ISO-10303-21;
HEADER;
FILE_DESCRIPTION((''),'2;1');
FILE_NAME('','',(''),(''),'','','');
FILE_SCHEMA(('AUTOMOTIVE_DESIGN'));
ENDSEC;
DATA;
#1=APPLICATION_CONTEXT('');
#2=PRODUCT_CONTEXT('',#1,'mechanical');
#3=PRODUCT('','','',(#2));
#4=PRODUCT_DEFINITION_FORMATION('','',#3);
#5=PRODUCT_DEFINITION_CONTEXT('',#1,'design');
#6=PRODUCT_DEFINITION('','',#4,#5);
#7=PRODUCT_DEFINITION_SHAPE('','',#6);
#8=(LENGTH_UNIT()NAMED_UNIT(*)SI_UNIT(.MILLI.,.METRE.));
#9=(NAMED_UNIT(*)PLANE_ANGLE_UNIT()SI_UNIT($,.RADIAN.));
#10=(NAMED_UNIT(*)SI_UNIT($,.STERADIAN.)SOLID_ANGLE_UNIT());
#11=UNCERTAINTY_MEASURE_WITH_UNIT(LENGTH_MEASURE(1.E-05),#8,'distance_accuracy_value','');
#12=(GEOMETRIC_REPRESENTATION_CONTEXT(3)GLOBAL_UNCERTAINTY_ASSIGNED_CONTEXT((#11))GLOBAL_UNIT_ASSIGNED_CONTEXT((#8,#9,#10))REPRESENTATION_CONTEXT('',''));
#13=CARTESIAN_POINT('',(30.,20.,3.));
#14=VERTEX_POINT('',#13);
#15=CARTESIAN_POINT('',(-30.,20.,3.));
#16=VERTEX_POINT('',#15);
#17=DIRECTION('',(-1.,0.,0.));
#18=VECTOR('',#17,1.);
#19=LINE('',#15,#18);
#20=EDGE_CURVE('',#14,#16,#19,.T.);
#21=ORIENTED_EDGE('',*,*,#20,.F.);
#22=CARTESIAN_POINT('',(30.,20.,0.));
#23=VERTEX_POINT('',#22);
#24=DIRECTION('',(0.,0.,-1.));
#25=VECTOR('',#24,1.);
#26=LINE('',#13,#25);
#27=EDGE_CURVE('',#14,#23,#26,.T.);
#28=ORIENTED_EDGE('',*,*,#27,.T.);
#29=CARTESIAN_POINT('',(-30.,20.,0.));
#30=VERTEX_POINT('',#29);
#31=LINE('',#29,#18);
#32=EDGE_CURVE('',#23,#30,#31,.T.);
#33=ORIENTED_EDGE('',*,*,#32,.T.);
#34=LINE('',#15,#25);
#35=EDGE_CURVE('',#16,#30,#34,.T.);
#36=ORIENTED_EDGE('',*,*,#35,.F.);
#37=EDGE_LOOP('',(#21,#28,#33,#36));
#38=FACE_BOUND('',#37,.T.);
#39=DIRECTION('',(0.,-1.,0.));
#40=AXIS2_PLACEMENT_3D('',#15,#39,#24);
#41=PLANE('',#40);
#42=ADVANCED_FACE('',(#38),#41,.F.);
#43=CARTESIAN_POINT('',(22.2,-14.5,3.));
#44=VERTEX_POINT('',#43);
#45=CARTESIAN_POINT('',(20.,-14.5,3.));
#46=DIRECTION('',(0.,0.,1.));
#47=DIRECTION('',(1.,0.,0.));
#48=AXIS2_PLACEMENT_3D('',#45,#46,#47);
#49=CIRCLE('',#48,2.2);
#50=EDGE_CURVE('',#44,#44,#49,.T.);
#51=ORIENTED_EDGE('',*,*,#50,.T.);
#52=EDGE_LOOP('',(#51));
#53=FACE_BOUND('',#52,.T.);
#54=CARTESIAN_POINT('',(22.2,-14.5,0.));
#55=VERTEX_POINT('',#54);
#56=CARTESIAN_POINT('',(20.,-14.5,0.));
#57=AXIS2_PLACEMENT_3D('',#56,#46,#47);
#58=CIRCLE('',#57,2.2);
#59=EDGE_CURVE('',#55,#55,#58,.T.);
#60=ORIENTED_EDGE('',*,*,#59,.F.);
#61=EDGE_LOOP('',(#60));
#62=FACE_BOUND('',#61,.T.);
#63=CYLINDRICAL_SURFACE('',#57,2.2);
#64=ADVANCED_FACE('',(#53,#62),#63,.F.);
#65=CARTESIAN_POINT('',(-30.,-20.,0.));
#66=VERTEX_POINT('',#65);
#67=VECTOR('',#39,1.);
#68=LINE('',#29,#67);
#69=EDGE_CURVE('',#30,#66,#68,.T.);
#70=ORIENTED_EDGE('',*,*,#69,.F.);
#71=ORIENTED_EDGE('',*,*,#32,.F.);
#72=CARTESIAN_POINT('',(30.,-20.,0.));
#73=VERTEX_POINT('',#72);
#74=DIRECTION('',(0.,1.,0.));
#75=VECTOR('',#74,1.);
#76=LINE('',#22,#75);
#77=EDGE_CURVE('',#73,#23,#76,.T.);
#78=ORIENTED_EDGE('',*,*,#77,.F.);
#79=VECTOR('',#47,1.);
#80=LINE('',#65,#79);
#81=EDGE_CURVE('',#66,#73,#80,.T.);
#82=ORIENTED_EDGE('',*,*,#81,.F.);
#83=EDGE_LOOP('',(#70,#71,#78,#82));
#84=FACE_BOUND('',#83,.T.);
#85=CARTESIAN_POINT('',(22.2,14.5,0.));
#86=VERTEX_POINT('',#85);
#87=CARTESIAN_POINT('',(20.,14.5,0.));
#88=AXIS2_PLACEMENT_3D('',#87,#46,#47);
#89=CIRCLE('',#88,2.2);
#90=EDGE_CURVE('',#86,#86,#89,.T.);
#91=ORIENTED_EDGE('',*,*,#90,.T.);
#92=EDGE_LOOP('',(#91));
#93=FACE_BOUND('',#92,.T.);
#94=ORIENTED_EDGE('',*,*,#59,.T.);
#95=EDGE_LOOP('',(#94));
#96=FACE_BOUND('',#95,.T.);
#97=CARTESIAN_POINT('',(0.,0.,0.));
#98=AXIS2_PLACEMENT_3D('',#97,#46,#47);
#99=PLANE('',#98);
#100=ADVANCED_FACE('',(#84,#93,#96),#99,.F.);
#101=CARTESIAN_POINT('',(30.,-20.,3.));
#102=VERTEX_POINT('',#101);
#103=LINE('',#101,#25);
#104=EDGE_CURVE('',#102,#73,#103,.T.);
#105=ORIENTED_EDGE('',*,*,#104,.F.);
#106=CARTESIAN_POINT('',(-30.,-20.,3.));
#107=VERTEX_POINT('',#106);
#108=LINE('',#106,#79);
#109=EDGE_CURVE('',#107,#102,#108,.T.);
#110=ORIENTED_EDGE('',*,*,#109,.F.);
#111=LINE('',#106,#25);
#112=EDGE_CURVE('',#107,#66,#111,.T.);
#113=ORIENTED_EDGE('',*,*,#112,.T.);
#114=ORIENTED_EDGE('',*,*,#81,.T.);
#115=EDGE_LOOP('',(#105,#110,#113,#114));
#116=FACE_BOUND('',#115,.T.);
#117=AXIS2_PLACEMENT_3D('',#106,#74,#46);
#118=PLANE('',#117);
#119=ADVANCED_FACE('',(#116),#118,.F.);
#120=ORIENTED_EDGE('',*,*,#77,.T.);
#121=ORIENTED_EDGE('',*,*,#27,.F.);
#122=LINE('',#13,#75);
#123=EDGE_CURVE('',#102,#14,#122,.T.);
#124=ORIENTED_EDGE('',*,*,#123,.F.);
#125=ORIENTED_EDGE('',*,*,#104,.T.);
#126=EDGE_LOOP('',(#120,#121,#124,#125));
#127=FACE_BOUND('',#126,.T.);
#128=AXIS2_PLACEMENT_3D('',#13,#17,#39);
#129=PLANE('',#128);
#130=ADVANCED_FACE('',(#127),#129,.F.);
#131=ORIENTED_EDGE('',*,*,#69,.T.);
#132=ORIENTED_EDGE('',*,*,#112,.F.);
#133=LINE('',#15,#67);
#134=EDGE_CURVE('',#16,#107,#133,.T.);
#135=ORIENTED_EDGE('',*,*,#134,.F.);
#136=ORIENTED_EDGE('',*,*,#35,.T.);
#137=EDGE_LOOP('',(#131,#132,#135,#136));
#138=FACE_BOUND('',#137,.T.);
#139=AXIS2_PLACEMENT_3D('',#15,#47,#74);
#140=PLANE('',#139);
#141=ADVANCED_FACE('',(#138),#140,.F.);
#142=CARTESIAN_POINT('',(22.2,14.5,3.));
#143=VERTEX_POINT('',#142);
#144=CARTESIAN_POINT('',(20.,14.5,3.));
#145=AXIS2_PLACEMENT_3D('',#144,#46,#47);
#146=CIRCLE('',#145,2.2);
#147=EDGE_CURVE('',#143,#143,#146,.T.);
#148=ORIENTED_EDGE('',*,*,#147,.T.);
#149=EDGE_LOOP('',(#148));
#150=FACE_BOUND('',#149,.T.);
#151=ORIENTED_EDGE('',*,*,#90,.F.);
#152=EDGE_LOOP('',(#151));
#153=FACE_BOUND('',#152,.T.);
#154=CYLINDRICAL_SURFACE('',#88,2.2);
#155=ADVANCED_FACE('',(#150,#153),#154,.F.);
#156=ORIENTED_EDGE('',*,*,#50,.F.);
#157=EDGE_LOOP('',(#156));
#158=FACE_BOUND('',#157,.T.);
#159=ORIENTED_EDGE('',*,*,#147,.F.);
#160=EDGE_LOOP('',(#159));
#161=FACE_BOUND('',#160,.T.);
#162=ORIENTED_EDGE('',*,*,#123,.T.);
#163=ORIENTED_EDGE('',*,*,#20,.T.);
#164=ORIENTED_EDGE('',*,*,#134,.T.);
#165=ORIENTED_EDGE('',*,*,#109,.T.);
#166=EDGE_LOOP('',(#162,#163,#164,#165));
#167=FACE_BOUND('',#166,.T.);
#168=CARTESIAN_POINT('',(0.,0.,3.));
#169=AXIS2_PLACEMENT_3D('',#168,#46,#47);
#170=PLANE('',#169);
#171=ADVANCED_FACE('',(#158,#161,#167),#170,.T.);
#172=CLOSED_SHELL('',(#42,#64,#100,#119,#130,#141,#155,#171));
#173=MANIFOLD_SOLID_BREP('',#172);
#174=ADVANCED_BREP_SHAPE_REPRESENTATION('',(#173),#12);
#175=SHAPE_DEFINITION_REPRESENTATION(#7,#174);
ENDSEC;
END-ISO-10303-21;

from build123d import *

# Parameters (mm, degrees)
SKETCH_1_W          = 60
SKETCH_1_H          = 40
EXTRUDE_1_DEPTH     = 3
CUT_EXTRUDE_1_DEPTH = 3


with BuildPart() as part:
    # ｽｹｯﾁ1 → ﾎﾞｽ - 押し出し1 (new body)
    with BuildSketch(Plane.XY):
        Rectangle(SKETCH_1_W, SKETCH_1_H)
    extrude(amount=EXTRUDE_1_DEPTH)

    # ｽｹｯﾁ2 → ｶｯﾄ - 押し出し1 (cut)
    with BuildSketch(Plane.XY.offset(3)):
        with BuildLine():
            ThreePointArc((22.2, 14.5), (21.555634919, 16.055634919), (20, 16.7))
            Line((20, 16.7), (20, 14.5))
            Line((20, 14.5), (22.2, 14.5))
        make_face()
        with BuildLine():
            Line((20, 14.5), (20, 16.7))
            ThreePointArc((20, 16.7), (18.444365081, 12.944365081), (22.2, 14.5))
            Line((22.2, 14.5), (20, 14.5))
        make_face()
        with BuildLine():
            ThreePointArc((22.2, -14.5), (18.444365081, -12.944365081), (20, -16.7))
            Line((20, -16.7), (20, -14.5))
            Line((20, -14.5), (22.2, -14.5))
        make_face()
        with BuildLine():
            Line((20, -14.5), (20, -16.7))
            ThreePointArc((20, -16.7), (21.555634919, -16.055634919), (22.2, -14.5))
            Line((22.2, -14.5), (20, -14.5))
        make_face()
    extrude(amount=-CUT_EXTRUDE_1_DEPTH, mode=Mode.SUBTRACT)


solid = part.part
